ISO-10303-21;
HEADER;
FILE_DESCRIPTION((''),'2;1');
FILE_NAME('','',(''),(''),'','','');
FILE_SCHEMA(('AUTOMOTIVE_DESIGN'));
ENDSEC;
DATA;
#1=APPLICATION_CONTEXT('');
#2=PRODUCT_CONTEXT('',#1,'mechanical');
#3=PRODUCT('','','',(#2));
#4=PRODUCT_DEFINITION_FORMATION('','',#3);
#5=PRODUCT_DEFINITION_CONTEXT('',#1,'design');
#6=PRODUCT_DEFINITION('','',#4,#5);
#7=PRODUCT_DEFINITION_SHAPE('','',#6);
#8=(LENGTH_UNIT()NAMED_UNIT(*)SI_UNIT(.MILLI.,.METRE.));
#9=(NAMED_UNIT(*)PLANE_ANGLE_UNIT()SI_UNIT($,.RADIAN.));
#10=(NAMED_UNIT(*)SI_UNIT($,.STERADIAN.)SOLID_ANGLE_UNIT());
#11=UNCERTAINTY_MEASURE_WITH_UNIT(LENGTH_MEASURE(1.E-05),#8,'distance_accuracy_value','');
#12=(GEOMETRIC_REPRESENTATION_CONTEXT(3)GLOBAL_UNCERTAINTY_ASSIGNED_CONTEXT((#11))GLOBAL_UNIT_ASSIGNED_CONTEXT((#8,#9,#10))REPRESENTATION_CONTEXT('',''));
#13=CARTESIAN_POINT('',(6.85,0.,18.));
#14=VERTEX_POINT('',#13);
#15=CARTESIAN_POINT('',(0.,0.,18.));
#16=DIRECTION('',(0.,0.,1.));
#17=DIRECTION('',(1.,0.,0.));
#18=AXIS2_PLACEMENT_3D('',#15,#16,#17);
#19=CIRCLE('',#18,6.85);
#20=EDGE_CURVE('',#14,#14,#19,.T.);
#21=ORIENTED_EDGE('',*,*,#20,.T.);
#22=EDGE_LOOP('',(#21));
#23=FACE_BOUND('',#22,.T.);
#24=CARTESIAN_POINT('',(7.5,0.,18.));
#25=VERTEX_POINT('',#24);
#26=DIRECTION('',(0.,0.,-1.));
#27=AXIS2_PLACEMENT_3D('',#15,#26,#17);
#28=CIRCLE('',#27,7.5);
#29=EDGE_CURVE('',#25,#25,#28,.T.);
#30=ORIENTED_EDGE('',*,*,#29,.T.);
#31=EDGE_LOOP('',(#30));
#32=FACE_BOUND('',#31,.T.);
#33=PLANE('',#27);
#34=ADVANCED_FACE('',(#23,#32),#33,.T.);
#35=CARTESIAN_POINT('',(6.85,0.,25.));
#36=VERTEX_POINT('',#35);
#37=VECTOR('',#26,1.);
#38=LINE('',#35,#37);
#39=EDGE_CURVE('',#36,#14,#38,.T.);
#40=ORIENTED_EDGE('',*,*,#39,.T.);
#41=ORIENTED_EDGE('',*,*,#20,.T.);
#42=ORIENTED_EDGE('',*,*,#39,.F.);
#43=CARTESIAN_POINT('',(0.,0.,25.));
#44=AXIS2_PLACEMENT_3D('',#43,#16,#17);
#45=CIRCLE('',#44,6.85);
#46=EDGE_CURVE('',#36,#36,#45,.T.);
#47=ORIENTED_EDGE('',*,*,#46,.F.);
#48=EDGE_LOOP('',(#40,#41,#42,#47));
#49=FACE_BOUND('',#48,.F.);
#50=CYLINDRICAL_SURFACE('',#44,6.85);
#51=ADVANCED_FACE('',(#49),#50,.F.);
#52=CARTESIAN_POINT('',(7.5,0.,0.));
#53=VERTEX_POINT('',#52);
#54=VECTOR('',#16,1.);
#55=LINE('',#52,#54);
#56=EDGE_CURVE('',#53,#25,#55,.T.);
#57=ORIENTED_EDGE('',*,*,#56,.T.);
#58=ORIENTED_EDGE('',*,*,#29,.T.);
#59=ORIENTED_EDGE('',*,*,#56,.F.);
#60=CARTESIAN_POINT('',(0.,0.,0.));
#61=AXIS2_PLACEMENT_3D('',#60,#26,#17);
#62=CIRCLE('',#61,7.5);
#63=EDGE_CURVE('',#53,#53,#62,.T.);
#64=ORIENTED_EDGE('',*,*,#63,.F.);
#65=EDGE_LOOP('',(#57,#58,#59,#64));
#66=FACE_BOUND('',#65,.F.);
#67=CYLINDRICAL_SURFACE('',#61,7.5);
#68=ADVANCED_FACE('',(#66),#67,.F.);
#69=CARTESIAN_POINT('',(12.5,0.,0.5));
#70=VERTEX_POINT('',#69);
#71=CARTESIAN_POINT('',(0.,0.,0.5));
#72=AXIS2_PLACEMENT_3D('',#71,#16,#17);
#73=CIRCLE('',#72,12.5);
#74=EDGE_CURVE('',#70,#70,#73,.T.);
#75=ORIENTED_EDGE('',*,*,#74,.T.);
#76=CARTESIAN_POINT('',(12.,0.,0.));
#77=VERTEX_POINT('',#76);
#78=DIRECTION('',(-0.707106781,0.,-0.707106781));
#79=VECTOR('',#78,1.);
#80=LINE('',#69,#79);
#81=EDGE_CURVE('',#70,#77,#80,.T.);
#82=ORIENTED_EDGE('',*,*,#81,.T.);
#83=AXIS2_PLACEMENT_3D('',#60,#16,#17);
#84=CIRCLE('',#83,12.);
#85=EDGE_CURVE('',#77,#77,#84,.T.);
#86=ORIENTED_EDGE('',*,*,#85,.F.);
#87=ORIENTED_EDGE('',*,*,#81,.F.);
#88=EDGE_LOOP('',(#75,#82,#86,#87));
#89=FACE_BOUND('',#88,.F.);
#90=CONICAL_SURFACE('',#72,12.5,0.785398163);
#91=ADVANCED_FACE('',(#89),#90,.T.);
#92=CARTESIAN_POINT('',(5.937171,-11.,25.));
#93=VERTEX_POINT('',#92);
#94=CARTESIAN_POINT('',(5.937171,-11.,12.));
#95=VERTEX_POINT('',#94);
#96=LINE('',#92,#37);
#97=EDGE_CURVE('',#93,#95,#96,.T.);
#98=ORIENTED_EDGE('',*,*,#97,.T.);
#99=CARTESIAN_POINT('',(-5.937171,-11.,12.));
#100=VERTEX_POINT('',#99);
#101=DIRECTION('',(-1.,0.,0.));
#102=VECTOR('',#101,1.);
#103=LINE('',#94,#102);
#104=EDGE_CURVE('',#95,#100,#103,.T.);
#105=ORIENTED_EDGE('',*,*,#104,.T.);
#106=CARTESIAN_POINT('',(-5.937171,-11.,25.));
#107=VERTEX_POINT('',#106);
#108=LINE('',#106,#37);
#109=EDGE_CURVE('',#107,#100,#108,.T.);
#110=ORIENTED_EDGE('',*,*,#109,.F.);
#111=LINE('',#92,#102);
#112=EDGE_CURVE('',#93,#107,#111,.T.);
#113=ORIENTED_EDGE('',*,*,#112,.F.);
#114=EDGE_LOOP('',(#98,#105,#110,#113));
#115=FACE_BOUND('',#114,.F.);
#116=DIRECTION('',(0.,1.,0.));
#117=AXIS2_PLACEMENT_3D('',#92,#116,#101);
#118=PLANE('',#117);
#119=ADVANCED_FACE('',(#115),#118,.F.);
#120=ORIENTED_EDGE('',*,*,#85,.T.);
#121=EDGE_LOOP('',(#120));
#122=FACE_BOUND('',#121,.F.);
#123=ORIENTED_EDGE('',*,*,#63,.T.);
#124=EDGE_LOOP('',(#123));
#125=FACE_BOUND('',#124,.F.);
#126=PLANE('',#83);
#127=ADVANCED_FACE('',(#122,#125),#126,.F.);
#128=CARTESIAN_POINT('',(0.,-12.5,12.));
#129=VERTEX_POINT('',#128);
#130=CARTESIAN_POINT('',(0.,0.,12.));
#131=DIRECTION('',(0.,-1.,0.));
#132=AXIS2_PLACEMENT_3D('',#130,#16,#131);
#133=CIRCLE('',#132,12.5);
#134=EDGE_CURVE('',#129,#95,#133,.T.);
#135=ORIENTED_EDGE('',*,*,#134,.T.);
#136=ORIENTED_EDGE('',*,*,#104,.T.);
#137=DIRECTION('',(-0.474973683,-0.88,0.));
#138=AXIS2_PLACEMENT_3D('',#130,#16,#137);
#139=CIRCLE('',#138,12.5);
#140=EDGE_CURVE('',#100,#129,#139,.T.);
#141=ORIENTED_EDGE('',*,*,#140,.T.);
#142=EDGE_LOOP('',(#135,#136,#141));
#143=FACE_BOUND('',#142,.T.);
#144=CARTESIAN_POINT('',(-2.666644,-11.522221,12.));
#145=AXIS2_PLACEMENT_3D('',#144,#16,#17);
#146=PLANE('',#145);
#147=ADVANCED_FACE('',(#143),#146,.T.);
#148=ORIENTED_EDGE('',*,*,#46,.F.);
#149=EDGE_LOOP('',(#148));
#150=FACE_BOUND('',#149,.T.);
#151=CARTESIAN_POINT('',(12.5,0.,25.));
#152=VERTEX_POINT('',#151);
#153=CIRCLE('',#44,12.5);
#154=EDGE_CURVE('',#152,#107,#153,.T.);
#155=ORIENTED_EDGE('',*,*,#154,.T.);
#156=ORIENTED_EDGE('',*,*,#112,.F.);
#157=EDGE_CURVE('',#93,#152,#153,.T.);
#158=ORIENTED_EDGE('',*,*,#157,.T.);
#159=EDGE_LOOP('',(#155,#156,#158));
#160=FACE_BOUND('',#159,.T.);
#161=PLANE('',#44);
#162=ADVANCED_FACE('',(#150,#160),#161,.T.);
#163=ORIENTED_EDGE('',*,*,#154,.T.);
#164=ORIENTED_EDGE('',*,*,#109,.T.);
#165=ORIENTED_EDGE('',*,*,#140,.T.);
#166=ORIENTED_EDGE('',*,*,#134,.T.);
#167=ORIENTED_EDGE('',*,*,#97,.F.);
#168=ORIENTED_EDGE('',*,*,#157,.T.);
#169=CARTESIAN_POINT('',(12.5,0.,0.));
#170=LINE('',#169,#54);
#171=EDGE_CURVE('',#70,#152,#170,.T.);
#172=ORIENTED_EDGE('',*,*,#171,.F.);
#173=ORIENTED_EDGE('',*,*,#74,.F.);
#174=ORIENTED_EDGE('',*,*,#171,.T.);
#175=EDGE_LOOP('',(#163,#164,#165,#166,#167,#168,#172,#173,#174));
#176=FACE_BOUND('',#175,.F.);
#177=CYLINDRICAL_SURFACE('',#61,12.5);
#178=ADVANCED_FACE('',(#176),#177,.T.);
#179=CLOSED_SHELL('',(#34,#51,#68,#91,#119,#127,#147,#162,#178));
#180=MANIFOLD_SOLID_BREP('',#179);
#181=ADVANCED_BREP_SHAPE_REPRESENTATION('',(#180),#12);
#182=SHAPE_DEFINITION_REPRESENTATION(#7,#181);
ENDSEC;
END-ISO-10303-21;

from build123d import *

# Parameters (mm, degrees)
F0_R     = 12.5
F1_DEPTH = 25
F2_R     = 7.5
F3_DEPTH = 18
F4_R     = 6.85
F5_DEPTH = 7
F7_DEPTH = 13
F8_SIZE  = 0.5


with BuildPart() as f1:
    # F0 (on Top) → F1 (new body)
    with BuildSketch(Plane.XY):
        Circle(F0_R)
    extrude(amount=F1_DEPTH)

    # F2 (on face) → F3 (cut)
    with BuildSketch(Plane(origin=(0, 0, 0), x_dir=(1, 0, 0), z_dir=(0, 0, -1))):
        Circle(F2_R)
    extrude(amount=-F3_DEPTH, mode=Mode.SUBTRACT)

    # F4 (on face) → F5 (cut)
    with BuildSketch(Plane.XY.offset(25)):
        Circle(F4_R)
    extrude(amount=-F5_DEPTH, mode=Mode.SUBTRACT)

    # F6 (on face) → F7 (cut)
    with BuildSketch(Plane.XY.offset(25)):
        with BuildLine():
            ThreePointArc((-5.9371710435, -11), (-3.0618621785, -12.1191996435), (0, -12.5))
            Line((0, -12.5), (0, -11))
            Line((0, -11), (-5.9371710435, -11))
        make_face()
        with BuildLine():
            Line((0, -11), (0, -12.5))
            ThreePointArc((0, -12.5), (3.0618621785, -12.1191996435), (5.9371710435, -11))
            Line((5.9371710435, -11), (0, -11))
        make_face()
    extrude(amount=-F7_DEPTH, mode=Mode.SUBTRACT)

    # F8
    f8_edges = [f1.edges().sort_by_distance(p)[0] for p in [
        (-12.5, 0, 0),
    ]]
    chamfer(f8_edges, length=F8_SIZE)


solid = f1.part
